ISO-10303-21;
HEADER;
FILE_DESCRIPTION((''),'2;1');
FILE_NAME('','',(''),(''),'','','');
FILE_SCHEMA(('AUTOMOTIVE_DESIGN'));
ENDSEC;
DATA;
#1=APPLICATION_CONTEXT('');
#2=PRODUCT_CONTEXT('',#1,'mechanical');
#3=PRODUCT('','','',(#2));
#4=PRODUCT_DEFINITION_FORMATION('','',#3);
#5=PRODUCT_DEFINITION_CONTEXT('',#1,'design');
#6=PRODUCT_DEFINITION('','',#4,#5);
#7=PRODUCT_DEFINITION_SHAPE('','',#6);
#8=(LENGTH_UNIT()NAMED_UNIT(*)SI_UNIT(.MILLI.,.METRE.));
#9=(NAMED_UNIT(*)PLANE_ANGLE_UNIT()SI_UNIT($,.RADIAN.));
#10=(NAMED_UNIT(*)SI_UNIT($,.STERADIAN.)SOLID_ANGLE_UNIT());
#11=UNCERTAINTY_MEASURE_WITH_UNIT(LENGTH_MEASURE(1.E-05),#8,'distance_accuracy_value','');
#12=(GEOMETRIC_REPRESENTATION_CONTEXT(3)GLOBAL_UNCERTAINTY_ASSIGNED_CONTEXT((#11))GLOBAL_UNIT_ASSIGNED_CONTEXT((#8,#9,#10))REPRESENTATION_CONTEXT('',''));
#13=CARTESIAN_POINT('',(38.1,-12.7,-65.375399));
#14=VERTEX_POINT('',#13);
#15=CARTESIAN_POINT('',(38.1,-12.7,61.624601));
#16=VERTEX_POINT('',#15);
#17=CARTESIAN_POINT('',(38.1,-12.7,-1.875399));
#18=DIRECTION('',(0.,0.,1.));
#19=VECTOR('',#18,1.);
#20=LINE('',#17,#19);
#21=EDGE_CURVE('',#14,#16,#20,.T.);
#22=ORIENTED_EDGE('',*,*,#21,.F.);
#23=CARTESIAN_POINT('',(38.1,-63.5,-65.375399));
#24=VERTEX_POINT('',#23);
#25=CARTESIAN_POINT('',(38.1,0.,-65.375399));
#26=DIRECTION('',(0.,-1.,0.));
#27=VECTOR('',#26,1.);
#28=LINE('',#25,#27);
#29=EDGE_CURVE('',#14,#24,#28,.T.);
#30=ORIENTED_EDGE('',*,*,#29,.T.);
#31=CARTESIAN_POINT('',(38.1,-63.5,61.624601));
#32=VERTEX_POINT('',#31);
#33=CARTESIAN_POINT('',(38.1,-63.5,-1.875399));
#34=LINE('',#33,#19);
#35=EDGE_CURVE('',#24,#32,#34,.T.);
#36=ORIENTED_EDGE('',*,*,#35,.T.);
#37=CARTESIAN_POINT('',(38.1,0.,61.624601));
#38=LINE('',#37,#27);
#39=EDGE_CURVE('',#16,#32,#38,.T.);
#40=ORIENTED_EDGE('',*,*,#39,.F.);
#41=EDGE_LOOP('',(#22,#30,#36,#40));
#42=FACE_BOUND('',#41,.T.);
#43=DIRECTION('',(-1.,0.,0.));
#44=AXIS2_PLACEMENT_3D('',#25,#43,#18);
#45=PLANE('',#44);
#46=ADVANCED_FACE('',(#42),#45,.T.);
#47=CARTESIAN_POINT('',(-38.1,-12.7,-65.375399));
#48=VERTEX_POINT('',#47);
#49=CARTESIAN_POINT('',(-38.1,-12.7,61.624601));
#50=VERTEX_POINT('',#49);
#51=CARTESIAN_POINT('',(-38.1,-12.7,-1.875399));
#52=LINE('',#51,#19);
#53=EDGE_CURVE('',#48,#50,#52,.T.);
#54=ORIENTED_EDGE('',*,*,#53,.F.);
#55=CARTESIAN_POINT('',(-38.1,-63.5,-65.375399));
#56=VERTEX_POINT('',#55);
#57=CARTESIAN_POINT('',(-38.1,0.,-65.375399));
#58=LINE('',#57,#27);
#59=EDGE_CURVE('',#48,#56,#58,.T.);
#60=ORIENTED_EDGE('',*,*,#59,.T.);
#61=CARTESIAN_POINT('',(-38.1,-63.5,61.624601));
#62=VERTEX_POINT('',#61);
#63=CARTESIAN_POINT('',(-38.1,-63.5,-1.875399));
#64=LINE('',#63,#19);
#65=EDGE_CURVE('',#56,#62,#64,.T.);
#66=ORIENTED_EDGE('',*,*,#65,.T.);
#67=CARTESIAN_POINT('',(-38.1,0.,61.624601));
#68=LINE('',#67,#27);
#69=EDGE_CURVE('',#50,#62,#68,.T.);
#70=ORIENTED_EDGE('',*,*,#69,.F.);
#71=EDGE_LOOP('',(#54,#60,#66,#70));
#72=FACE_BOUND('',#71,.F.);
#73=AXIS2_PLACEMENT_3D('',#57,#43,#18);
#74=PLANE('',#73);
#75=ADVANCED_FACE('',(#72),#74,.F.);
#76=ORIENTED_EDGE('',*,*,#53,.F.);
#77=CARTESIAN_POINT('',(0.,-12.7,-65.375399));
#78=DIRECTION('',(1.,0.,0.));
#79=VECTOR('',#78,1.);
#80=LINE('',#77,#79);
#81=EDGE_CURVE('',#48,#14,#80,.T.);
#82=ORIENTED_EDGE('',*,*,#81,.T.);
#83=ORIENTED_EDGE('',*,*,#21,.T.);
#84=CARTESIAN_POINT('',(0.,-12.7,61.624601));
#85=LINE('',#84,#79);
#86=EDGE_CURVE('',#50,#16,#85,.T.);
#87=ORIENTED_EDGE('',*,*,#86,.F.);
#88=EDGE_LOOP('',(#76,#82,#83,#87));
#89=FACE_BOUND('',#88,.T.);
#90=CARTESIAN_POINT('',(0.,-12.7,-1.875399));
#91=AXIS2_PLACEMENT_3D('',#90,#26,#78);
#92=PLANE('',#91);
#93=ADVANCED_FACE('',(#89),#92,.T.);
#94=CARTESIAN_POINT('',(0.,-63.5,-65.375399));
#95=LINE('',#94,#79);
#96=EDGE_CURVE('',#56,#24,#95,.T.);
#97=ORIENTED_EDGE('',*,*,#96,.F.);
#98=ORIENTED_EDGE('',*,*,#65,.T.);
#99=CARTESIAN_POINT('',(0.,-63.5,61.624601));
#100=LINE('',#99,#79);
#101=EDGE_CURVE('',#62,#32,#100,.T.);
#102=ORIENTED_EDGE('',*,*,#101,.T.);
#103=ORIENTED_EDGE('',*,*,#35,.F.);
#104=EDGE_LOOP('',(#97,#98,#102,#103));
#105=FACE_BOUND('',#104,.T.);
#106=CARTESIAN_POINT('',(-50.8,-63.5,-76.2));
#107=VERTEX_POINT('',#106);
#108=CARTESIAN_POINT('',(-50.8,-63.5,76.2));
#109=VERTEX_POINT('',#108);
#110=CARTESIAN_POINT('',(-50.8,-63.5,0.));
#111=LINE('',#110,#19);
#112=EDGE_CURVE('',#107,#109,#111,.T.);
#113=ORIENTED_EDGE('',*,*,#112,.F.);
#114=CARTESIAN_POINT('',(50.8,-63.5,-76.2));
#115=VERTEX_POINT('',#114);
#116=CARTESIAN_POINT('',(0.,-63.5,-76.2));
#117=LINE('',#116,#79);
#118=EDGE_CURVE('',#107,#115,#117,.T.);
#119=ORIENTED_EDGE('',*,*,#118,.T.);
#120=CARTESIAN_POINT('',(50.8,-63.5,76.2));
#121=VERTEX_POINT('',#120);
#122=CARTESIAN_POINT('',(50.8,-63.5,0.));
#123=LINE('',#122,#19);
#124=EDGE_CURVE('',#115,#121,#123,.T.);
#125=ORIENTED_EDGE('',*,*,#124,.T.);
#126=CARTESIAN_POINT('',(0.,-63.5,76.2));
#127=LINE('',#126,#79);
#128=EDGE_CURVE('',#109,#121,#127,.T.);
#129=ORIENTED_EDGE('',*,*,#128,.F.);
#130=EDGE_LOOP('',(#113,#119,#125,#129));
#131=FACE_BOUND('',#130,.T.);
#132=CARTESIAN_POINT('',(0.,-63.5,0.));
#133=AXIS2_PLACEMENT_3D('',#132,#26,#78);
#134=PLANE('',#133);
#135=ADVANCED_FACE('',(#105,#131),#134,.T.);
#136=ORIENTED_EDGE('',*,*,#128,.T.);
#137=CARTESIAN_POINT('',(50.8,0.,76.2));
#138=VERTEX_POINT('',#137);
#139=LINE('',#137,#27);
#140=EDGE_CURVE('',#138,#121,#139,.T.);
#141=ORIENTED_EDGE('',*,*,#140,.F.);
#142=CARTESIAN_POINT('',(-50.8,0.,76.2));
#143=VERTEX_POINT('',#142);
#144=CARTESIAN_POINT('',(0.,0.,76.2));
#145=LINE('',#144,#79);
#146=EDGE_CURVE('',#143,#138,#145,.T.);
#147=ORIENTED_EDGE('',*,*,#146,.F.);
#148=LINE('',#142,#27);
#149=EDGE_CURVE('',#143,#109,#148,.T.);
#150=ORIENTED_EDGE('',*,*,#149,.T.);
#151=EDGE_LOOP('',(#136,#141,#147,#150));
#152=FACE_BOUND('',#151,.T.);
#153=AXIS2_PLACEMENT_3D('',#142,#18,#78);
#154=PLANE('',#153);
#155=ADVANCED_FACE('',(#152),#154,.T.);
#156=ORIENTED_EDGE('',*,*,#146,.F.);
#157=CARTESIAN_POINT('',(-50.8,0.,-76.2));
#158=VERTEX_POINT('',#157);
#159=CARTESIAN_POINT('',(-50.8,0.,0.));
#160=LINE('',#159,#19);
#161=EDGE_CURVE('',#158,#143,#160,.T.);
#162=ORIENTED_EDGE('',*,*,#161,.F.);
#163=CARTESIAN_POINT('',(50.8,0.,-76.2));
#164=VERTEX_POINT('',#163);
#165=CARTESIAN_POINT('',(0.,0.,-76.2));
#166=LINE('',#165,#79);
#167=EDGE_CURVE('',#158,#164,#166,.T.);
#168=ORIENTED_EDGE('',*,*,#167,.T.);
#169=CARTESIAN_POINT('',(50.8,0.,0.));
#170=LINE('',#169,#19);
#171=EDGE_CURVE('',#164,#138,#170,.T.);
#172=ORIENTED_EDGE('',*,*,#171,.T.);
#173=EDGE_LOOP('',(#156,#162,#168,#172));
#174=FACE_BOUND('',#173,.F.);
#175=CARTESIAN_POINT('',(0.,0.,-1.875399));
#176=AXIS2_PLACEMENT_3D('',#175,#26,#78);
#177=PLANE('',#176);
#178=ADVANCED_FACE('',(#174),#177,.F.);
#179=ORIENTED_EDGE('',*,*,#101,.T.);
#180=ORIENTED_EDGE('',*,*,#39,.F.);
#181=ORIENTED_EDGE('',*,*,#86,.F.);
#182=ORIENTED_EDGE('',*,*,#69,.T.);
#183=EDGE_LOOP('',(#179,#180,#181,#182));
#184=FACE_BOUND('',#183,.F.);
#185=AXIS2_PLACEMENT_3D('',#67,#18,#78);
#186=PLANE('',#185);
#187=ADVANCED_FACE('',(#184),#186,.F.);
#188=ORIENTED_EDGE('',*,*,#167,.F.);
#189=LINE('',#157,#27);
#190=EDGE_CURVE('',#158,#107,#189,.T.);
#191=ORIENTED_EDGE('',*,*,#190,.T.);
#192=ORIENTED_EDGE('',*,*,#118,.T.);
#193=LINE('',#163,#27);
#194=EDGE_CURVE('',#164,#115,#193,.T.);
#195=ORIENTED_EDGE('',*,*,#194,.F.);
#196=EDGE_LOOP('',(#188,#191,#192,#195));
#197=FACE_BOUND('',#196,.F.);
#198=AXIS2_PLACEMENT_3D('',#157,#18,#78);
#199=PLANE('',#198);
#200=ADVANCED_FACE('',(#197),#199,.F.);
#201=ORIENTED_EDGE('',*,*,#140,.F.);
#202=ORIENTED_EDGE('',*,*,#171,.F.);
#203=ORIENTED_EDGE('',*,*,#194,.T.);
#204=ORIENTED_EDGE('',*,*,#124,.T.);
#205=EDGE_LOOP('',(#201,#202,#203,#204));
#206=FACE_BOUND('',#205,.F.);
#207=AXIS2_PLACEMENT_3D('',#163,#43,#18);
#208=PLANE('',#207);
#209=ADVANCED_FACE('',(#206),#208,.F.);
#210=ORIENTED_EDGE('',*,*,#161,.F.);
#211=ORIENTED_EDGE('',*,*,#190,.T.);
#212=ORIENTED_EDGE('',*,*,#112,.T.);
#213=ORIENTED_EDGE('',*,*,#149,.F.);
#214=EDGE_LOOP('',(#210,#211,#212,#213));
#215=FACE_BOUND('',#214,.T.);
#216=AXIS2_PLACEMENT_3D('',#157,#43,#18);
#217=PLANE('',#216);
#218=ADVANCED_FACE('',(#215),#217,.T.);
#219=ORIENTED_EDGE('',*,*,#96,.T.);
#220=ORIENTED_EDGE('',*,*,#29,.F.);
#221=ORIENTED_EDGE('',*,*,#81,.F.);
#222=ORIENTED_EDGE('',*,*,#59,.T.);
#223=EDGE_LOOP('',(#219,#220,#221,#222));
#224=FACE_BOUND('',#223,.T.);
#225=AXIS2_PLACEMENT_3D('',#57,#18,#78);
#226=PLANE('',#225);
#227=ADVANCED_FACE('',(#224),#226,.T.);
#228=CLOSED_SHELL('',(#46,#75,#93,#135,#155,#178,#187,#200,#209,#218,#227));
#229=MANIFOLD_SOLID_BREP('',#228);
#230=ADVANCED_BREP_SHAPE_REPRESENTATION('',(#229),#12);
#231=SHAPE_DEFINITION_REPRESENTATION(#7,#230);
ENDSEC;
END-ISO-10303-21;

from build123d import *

# Parameters (mm, degrees)
F0_W     = 101.6
F0_H     = 152.4
F0_W_2   = 76.2
F0_H_2   = 127
F1_DEPTH = 63.5
F2_DEPTH = 12.7


with BuildPart() as f1:
    # F0 (on Front) → F1 (new body)
    with BuildSketch(Plane.XZ):
        Rectangle(F0_W, F0_H)
        with Locations((0, -1.875399)):
            Rectangle(F0_W_2, F0_H_2, mode=Mode.SUBTRACT)
    extrude(amount=F1_DEPTH)

    # F0 (on Front) → F2 (join)
    with BuildSketch(Plane.XZ):
        with Locations((0, -1.875399)):
            Rectangle(F0_W_2, F0_H_2)
    extrude(amount=F2_DEPTH)


solid = f1.part
